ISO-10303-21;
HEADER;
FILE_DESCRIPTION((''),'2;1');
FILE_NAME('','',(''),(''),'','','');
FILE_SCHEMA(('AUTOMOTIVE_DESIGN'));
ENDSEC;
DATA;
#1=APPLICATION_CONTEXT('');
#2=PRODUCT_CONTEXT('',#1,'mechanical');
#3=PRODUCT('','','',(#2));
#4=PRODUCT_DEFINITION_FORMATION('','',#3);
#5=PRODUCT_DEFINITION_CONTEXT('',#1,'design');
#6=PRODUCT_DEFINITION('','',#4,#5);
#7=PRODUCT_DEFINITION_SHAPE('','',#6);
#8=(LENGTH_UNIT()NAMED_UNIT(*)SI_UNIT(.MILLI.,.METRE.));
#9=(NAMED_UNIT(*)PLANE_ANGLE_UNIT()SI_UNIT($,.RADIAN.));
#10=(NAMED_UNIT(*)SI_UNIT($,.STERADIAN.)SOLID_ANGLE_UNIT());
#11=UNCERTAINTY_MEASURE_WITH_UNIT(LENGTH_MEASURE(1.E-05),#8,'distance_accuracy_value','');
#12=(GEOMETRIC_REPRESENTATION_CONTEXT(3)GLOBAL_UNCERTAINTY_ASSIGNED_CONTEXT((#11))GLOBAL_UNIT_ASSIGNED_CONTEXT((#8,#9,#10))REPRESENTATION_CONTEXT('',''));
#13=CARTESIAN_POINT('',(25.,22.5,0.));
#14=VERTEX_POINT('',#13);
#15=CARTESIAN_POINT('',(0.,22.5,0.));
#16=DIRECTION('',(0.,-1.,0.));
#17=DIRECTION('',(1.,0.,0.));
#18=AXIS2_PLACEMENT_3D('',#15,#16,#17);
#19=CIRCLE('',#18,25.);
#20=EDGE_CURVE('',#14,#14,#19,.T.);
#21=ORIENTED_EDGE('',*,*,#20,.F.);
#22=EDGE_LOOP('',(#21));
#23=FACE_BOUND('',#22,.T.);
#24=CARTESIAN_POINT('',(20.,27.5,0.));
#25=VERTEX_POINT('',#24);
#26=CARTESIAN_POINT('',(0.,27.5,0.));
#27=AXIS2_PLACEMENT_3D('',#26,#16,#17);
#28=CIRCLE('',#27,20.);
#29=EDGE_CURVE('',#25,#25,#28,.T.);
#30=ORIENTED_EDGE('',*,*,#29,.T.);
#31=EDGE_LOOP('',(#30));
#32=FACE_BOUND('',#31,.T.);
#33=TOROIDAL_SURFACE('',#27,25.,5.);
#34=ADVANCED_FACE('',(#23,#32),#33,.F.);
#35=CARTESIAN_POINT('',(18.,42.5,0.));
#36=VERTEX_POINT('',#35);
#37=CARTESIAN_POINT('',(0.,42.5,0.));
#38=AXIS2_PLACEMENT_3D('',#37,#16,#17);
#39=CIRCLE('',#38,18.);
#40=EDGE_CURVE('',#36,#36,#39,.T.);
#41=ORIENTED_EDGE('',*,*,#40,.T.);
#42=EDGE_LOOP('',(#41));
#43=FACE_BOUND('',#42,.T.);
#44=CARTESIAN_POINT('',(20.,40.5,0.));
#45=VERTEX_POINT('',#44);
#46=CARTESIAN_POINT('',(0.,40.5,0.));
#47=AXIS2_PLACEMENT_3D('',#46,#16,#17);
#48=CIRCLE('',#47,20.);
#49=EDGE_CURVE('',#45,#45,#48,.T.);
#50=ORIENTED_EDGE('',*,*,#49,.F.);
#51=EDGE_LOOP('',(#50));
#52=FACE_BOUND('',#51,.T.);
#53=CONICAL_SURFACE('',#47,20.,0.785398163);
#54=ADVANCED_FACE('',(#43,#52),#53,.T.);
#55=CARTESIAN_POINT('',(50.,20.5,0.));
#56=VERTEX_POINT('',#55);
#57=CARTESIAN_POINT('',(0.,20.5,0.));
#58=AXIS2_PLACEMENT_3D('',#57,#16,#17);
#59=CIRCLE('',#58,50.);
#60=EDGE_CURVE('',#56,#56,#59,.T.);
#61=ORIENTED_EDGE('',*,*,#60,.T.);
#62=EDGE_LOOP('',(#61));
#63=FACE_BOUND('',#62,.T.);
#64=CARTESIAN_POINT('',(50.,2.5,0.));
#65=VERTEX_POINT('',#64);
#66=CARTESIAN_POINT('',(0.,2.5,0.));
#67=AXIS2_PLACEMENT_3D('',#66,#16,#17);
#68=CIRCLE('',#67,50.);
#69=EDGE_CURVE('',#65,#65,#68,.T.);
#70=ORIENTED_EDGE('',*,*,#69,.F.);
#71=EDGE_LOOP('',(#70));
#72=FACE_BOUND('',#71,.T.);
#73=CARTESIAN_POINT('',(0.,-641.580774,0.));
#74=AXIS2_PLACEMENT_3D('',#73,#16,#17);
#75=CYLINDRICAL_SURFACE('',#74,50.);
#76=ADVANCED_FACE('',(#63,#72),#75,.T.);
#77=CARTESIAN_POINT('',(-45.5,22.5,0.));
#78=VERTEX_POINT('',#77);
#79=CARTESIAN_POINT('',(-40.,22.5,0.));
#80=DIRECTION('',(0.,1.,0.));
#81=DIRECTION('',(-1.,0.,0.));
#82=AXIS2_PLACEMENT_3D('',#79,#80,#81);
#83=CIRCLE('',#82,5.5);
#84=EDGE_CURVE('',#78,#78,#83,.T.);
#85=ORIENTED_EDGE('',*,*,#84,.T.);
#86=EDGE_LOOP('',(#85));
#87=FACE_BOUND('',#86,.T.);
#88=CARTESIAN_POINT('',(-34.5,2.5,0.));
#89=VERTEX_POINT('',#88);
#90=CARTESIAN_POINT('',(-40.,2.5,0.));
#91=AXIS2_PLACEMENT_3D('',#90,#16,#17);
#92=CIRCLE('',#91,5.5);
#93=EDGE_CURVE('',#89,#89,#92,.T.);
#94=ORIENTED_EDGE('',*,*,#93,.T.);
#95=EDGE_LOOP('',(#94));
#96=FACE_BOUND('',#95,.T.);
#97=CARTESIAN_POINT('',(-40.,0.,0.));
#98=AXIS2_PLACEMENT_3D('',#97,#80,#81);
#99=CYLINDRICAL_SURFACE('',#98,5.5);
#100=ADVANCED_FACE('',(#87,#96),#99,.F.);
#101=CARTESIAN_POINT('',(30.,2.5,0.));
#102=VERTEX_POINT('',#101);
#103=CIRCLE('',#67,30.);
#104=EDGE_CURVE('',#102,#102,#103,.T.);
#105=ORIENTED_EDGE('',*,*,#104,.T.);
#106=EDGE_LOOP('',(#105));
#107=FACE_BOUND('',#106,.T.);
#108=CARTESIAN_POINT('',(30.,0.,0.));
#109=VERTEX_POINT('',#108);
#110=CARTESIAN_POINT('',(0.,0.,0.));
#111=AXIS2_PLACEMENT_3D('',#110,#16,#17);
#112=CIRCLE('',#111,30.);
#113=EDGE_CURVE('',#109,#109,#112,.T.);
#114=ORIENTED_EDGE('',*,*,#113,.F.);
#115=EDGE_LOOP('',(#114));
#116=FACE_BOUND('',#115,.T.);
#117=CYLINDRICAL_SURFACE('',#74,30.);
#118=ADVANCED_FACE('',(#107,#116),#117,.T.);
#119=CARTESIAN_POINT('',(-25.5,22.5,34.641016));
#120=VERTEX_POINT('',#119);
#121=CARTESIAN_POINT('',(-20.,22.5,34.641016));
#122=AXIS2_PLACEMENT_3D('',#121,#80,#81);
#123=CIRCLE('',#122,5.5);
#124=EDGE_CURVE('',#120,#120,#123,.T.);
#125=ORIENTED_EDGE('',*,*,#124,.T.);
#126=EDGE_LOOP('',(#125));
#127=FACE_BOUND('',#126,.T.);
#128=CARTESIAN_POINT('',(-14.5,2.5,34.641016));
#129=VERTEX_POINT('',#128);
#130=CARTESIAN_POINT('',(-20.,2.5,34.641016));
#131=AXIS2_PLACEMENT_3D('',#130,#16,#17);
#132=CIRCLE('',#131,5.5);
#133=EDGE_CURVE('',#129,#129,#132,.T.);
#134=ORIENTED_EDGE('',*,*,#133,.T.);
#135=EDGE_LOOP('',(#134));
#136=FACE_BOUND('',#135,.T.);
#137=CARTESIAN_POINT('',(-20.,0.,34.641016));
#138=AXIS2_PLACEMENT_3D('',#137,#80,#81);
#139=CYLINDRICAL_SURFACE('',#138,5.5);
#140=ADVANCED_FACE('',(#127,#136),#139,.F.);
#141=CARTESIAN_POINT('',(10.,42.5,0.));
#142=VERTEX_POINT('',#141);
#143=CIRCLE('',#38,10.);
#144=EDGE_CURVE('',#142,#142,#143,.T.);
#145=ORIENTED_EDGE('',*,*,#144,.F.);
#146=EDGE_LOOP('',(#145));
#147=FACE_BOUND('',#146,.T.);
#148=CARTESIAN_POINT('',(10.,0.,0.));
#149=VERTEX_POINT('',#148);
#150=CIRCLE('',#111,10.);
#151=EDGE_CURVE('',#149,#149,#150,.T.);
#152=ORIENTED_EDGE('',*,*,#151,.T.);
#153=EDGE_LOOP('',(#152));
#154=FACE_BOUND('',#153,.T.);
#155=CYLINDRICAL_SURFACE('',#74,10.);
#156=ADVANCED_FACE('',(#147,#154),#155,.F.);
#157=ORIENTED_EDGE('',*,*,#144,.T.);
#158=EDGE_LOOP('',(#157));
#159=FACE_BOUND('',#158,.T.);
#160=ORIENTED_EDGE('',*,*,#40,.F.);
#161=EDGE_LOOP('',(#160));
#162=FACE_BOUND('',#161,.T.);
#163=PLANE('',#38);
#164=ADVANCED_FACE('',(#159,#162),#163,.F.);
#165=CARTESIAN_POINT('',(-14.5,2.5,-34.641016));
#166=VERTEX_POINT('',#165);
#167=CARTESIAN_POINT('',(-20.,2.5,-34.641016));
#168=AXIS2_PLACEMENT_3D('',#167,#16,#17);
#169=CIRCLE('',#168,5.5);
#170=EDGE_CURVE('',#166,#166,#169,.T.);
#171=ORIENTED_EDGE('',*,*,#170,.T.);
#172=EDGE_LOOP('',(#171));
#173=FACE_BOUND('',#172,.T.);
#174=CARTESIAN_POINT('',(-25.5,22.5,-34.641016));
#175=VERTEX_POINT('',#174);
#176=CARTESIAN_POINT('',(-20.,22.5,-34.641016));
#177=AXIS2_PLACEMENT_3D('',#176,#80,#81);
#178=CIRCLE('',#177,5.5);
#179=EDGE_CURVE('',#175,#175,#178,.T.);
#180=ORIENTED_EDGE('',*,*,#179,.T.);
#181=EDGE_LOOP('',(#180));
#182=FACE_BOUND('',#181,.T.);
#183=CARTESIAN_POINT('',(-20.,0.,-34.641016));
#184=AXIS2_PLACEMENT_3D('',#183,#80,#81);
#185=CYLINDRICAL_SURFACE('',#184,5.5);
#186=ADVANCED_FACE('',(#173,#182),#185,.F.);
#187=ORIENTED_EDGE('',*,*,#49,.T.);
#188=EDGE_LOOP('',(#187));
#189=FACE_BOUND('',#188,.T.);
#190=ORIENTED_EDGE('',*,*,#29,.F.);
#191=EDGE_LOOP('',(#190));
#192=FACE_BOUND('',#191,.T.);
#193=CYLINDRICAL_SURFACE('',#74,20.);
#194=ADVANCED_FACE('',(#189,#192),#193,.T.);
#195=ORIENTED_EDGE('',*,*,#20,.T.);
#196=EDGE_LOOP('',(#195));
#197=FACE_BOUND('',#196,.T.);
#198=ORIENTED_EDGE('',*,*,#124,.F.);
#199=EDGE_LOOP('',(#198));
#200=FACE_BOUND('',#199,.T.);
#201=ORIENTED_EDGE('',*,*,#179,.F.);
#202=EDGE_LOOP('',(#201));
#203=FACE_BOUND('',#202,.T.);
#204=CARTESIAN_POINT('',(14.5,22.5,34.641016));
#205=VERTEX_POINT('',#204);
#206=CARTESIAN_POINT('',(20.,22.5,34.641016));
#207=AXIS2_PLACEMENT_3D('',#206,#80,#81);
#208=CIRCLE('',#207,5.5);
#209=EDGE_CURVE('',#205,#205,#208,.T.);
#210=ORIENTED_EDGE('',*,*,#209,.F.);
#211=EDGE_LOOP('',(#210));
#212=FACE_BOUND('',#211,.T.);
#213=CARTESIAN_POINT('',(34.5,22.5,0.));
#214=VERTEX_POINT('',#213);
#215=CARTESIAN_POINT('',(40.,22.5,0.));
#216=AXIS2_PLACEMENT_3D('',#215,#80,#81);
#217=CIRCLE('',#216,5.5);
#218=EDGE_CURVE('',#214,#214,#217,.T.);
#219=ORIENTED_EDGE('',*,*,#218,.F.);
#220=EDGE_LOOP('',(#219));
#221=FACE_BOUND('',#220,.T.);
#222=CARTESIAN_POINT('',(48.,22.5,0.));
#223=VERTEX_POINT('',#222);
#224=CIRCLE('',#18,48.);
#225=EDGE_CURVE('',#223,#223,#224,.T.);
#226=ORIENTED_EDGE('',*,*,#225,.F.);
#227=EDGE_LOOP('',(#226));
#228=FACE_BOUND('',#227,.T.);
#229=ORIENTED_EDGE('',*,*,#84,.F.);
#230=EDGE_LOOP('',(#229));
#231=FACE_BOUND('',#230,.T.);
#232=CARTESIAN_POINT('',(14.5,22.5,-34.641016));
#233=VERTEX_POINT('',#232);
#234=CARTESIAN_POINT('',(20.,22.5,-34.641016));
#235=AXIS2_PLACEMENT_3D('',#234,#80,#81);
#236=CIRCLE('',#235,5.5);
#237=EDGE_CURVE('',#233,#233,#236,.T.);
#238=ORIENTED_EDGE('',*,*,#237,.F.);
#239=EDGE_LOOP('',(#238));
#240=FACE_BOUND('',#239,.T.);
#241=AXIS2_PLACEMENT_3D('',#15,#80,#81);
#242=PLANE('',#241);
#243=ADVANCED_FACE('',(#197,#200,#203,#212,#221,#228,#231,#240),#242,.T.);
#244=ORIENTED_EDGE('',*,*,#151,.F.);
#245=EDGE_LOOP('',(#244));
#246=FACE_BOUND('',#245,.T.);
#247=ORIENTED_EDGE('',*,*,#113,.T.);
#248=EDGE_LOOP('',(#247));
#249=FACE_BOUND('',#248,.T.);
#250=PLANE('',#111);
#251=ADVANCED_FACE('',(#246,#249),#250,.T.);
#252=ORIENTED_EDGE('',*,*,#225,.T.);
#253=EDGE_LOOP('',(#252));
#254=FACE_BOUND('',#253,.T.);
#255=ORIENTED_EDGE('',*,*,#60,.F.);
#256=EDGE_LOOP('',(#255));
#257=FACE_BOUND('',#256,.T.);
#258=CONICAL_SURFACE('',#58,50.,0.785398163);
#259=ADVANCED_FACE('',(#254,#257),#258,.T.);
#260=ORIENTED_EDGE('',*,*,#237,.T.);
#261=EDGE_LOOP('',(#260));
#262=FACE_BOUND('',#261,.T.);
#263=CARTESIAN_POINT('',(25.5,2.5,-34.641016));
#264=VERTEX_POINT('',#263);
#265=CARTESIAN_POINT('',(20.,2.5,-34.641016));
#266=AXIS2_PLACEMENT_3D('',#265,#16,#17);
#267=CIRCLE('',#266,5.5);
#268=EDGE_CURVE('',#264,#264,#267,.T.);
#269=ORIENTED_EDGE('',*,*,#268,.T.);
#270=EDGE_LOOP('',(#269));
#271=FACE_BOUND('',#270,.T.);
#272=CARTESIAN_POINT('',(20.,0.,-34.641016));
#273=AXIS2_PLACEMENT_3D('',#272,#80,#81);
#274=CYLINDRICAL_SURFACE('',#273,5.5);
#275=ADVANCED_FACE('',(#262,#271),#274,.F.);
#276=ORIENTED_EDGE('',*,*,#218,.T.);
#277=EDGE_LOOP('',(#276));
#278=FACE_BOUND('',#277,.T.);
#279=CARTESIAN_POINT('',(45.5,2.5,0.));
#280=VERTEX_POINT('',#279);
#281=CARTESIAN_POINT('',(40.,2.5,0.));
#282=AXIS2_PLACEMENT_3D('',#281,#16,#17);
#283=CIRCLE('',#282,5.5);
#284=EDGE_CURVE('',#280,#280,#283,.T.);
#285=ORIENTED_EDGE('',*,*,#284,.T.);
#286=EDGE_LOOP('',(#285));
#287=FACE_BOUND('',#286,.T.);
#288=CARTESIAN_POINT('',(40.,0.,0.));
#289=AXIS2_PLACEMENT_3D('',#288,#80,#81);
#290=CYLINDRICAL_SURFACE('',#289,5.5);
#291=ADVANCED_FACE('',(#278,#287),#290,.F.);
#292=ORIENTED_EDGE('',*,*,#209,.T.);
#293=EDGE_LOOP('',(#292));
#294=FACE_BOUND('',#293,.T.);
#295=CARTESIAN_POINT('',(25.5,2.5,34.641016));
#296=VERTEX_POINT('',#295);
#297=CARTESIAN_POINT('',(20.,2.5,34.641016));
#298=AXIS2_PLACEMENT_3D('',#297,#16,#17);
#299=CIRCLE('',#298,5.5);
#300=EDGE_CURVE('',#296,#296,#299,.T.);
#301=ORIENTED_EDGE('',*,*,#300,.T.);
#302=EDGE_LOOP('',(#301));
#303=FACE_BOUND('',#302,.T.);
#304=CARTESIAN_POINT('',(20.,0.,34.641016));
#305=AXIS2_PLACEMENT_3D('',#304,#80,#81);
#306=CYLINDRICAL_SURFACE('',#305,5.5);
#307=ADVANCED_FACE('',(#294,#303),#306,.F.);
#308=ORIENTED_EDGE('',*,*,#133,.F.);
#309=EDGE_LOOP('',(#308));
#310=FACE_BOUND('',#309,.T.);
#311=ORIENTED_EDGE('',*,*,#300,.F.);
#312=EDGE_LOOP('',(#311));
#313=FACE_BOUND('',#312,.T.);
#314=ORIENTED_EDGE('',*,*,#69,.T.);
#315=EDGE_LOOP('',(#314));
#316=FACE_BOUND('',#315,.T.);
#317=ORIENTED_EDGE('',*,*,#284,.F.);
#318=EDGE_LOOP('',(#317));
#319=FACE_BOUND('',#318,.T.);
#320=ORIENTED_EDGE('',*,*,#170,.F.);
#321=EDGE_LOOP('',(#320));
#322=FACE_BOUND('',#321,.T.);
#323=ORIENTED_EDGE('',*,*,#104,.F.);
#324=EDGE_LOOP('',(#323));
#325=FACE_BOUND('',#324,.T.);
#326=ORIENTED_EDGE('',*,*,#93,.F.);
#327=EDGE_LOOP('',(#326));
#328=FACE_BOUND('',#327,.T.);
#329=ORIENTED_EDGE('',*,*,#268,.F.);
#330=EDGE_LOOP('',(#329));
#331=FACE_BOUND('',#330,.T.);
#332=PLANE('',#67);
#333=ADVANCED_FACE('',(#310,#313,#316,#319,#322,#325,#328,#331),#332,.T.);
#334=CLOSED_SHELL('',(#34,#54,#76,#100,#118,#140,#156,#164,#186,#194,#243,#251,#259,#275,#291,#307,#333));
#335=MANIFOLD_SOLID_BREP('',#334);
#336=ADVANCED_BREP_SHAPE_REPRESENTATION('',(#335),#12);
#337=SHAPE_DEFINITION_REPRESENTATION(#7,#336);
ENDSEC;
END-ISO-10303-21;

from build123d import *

# Parameters (mm, degrees)
SKETCH_2_R          = 5.5
CUT_EXTRUDE_1_DEPTH = 75.204110398


with BuildPart() as part:
    # 草图1 → 旋转1 (revolve)
    with BuildSketch(Plane.XY, mode=Mode.PRIVATE) as revolve_1_sk:
        with BuildLine():
            ThreePointArc((-25, 22.5), (-21.464466094, 23.964466094), (-20, 27.5))
            Line((-20, 27.5), (-20, 40.5))
            Line((-20, 40.5), (-18, 42.5))
            Line((-18, 42.5), (-10, 42.5))
            Line((-10, 42.5), (-10, 0))
            Line((-10, 0), (-30, 0))
            Line((-30, 0), (-30, 2.5))
            Line((-30, 2.5), (-50, 2.5))
            Line((-50, 2.5), (-50, 20.5))
            Line((-50, 20.5), (-48, 22.5))
            Line((-48, 22.5), (-25, 22.5))
        make_face()
        with BuildLine():
            Line((30, 0), (30, 2.5))
            Line((30, 2.5), (50, 2.5))
            Line((50, 2.5), (50, 20.5))
            Line((50, 20.5), (48, 22.5))
            Line((48, 22.5), (25, 22.5))
            ThreePointArc((25, 22.5), (21.464466094, 23.964466094), (20, 27.5))
            Line((20, 27.5), (20, 40.5))
            Line((20, 40.5), (18, 42.5))
            Line((18, 42.5), (10, 42.5))
            Line((10, 42.5), (10, 0))
            Line((10, 0), (30, 0))
        make_face()
    revolve(revolve_1_sk.sketch.rotate(Axis((0, -641.580774088, 0), (0, 1, 0)), 180), axis=Axis((0, -641.580774088, 0), (0, 1, 0)))

    # 草图2 → 切除-拉伸1 (cut, through all)
    with BuildSketch(Plane(origin=(0, 22.5, 0), x_dir=(1, 0, 0), z_dir=(0, 1, 0))):
        with Locations(Location((-40, 0, 0), (0, 0, 180))):
            Circle(SKETCH_2_R)
        with Locations(Location((-20, 34.641016151, 0), (0, 0, 180))):
            Circle(SKETCH_2_R)
        with Locations(Location((20, 34.641016151, 0), (0, 0, 180))):
            Circle(SKETCH_2_R)
        with Locations(Location((40, 0, 0), (0, 0, 180))):
            Circle(SKETCH_2_R)
        with Locations(Location((20, -34.641016151, 0), (0, 0, 180))):
            Circle(SKETCH_2_R)
        with Locations(Location((-20, -34.641016151, 0), (0, 0, 180))):
            Circle(SKETCH_2_R)
    extrude(amount=-CUT_EXTRUDE_1_DEPTH, mode=Mode.SUBTRACT)


solid = part.part
